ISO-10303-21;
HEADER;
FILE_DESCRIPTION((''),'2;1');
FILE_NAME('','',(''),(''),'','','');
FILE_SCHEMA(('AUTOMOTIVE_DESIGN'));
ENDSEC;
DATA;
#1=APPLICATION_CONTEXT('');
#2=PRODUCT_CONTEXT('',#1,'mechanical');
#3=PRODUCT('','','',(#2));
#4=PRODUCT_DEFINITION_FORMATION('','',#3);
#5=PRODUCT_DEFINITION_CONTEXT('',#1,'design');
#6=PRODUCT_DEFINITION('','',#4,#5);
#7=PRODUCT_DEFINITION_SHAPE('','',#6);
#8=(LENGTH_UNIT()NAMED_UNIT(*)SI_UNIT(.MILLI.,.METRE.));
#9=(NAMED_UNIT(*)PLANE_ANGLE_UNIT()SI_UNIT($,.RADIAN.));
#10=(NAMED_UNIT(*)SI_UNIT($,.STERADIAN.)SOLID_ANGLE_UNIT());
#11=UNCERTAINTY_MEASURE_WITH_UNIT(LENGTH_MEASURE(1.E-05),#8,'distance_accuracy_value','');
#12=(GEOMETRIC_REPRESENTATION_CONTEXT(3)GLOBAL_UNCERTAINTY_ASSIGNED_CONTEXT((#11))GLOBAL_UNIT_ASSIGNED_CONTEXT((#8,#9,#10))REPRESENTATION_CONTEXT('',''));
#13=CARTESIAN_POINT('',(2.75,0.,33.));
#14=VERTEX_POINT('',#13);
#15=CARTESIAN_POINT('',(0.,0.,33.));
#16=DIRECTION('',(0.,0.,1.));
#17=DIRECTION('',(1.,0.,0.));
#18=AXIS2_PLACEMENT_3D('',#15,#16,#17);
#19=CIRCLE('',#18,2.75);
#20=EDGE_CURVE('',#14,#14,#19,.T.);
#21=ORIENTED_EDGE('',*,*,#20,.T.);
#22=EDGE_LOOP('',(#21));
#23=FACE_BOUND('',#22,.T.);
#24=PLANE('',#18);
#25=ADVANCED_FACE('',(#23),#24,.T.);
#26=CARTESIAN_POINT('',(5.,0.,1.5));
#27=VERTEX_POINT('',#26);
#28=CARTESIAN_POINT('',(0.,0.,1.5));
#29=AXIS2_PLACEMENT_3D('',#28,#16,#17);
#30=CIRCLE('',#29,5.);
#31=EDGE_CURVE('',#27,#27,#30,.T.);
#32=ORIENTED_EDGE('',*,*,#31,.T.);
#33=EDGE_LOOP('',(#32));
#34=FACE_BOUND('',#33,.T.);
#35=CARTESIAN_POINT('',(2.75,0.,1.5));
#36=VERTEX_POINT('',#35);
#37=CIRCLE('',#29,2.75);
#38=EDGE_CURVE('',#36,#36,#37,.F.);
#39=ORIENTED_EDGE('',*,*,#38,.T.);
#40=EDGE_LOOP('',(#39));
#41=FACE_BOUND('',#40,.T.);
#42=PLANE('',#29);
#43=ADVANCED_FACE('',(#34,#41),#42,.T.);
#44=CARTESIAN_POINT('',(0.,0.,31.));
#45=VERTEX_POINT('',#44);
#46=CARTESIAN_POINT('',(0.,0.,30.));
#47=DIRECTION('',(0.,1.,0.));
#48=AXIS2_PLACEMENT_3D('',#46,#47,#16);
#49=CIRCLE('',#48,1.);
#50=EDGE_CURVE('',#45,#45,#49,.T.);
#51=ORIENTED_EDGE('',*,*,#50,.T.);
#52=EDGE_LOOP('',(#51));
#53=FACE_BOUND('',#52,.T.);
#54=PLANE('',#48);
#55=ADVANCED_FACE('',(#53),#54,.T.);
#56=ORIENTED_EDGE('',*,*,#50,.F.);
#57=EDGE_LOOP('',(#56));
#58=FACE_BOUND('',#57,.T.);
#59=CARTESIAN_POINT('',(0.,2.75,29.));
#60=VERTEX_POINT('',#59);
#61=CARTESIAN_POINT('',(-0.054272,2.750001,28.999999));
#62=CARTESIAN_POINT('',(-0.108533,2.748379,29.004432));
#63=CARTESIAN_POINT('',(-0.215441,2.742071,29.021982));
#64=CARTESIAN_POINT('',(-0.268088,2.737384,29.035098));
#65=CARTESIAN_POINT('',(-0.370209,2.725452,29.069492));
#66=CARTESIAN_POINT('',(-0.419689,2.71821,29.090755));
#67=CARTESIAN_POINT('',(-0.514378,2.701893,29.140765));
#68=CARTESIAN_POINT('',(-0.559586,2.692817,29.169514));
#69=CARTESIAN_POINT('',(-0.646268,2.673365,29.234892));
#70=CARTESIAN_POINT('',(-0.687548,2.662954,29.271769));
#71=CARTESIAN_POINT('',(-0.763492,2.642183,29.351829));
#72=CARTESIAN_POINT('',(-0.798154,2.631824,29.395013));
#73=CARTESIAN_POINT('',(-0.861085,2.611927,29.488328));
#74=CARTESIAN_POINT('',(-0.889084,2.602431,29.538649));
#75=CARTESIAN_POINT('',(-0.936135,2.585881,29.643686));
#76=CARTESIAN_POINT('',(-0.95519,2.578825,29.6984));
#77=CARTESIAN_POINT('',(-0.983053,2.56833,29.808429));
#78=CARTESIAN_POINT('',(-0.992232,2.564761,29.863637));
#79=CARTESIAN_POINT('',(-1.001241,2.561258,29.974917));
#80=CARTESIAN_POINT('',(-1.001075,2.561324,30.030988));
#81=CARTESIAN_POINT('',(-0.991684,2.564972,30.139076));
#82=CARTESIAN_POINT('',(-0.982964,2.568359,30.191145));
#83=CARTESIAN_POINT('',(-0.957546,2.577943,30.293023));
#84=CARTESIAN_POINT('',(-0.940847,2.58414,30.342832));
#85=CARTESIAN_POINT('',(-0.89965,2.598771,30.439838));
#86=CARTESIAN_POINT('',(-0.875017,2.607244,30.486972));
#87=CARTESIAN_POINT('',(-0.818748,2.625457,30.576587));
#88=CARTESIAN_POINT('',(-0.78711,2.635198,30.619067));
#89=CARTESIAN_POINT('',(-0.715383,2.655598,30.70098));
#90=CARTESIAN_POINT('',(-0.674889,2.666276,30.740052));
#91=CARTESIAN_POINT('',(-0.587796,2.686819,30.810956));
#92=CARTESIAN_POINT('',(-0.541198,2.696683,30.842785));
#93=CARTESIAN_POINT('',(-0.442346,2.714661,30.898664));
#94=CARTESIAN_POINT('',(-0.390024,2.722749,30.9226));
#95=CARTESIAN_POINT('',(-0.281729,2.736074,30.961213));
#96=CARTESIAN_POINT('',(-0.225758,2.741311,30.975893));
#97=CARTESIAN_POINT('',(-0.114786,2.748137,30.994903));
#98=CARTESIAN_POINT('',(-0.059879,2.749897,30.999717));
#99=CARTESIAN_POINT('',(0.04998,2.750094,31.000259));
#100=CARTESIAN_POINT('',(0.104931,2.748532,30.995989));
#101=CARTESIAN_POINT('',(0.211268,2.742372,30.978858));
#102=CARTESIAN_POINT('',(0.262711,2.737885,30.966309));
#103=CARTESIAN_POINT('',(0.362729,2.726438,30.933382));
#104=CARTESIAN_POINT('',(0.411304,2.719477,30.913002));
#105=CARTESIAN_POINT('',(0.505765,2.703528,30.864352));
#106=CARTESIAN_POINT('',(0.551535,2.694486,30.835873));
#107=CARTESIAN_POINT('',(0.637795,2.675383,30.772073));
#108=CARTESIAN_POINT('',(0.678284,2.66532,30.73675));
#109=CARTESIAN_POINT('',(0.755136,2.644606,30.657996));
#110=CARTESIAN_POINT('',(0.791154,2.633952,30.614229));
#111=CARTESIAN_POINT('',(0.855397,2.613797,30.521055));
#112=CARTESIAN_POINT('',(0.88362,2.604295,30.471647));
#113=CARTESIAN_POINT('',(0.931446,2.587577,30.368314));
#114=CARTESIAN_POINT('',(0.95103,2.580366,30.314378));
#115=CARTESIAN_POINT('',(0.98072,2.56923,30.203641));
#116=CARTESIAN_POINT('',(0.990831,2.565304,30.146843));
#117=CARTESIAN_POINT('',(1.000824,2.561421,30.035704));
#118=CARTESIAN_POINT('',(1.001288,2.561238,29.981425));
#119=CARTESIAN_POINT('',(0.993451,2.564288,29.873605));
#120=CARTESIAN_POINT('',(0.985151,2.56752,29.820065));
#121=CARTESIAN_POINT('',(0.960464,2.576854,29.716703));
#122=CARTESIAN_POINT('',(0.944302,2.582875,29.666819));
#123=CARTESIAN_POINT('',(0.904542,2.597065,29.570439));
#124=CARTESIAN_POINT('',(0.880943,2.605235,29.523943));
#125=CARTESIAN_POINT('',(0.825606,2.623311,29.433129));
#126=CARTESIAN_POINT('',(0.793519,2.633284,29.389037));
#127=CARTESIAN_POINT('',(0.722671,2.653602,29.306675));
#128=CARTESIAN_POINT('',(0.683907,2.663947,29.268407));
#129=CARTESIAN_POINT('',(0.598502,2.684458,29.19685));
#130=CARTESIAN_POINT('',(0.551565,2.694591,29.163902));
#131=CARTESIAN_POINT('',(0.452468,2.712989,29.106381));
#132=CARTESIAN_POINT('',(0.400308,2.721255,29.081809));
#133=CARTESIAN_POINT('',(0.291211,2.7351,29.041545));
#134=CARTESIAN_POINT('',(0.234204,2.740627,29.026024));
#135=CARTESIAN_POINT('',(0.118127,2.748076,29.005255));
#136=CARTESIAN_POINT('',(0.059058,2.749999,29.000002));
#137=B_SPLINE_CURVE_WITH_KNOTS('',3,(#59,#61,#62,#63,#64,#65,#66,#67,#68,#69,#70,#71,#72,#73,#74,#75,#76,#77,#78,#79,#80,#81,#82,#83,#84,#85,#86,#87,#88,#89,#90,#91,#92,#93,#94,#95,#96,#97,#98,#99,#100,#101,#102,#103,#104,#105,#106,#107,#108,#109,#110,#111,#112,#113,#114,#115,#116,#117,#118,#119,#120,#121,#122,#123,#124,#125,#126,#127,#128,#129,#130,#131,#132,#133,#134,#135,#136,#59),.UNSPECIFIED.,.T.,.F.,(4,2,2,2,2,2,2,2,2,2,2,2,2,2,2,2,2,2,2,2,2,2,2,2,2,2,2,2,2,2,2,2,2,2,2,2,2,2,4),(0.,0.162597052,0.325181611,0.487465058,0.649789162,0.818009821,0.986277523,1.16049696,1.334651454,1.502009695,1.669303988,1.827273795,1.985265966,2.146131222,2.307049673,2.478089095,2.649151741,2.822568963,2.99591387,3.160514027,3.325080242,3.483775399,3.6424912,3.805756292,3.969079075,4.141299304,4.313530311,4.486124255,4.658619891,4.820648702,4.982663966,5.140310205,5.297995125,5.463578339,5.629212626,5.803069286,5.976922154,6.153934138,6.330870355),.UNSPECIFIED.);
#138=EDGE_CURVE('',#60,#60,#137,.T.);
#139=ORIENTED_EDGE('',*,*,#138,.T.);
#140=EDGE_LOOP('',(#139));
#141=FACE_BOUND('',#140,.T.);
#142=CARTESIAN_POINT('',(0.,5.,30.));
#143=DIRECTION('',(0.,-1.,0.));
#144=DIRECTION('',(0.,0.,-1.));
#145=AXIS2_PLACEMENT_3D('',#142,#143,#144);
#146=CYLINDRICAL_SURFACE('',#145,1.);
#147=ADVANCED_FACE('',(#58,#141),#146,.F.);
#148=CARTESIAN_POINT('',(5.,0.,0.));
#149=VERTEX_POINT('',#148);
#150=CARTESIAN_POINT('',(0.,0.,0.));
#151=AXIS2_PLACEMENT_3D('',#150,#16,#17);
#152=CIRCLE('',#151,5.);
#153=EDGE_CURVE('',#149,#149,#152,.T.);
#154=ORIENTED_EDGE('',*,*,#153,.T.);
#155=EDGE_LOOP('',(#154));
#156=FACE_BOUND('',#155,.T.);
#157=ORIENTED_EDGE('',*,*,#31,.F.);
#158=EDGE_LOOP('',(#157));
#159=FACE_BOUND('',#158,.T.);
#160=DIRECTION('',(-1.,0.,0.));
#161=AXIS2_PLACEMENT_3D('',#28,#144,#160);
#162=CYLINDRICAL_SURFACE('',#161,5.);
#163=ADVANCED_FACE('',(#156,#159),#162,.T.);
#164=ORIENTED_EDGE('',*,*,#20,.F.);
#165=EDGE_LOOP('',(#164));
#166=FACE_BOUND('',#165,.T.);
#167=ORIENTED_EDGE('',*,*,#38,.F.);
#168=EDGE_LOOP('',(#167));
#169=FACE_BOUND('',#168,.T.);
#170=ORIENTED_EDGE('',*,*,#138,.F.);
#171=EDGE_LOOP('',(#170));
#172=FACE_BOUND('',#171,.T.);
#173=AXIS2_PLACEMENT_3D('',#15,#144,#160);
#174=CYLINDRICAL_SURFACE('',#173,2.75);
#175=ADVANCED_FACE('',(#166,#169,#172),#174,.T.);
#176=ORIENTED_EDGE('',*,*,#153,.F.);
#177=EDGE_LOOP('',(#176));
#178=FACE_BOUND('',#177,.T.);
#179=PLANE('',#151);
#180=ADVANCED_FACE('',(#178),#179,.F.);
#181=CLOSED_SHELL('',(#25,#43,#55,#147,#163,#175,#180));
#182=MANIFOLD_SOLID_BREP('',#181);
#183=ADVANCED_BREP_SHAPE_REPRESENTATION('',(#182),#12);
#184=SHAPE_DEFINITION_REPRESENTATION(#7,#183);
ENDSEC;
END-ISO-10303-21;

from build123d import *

# Parameters (mm, degrees)
SKETCH1_R           = 5
BOSS_EXTRUDE1_DEPTH = 1.5
SKETCH2_R           = 2.75
BOSS_EXTRUDE2_DEPTH = 33
SKETCH3_R           = 1
CUT_EXTRUDE1_DEPTH  = 6


with BuildPart() as part:
    # Sketch1 → Boss-Extrude1 (new body)
    with BuildSketch(Plane.XY):
        Circle(SKETCH1_R)
    extrude(amount=BOSS_EXTRUDE1_DEPTH)

    # Sketch2 → Boss-Extrude2 (add)
    with BuildSketch(Plane.XY):
        Circle(SKETCH2_R)
    extrude(amount=BOSS_EXTRUDE2_DEPTH)

    # Sketch3 → Cut-Extrude1 (cut, through all)
    with BuildSketch(Plane(origin=(0, 0, 0), x_dir=(1, 0, 0), z_dir=(0, 1, 0))):
        with Locations((0, -30)):
            Circle(SKETCH3_R)
    extrude(amount=CUT_EXTRUDE1_DEPTH, mode=Mode.SUBTRACT)


solid = part.part
